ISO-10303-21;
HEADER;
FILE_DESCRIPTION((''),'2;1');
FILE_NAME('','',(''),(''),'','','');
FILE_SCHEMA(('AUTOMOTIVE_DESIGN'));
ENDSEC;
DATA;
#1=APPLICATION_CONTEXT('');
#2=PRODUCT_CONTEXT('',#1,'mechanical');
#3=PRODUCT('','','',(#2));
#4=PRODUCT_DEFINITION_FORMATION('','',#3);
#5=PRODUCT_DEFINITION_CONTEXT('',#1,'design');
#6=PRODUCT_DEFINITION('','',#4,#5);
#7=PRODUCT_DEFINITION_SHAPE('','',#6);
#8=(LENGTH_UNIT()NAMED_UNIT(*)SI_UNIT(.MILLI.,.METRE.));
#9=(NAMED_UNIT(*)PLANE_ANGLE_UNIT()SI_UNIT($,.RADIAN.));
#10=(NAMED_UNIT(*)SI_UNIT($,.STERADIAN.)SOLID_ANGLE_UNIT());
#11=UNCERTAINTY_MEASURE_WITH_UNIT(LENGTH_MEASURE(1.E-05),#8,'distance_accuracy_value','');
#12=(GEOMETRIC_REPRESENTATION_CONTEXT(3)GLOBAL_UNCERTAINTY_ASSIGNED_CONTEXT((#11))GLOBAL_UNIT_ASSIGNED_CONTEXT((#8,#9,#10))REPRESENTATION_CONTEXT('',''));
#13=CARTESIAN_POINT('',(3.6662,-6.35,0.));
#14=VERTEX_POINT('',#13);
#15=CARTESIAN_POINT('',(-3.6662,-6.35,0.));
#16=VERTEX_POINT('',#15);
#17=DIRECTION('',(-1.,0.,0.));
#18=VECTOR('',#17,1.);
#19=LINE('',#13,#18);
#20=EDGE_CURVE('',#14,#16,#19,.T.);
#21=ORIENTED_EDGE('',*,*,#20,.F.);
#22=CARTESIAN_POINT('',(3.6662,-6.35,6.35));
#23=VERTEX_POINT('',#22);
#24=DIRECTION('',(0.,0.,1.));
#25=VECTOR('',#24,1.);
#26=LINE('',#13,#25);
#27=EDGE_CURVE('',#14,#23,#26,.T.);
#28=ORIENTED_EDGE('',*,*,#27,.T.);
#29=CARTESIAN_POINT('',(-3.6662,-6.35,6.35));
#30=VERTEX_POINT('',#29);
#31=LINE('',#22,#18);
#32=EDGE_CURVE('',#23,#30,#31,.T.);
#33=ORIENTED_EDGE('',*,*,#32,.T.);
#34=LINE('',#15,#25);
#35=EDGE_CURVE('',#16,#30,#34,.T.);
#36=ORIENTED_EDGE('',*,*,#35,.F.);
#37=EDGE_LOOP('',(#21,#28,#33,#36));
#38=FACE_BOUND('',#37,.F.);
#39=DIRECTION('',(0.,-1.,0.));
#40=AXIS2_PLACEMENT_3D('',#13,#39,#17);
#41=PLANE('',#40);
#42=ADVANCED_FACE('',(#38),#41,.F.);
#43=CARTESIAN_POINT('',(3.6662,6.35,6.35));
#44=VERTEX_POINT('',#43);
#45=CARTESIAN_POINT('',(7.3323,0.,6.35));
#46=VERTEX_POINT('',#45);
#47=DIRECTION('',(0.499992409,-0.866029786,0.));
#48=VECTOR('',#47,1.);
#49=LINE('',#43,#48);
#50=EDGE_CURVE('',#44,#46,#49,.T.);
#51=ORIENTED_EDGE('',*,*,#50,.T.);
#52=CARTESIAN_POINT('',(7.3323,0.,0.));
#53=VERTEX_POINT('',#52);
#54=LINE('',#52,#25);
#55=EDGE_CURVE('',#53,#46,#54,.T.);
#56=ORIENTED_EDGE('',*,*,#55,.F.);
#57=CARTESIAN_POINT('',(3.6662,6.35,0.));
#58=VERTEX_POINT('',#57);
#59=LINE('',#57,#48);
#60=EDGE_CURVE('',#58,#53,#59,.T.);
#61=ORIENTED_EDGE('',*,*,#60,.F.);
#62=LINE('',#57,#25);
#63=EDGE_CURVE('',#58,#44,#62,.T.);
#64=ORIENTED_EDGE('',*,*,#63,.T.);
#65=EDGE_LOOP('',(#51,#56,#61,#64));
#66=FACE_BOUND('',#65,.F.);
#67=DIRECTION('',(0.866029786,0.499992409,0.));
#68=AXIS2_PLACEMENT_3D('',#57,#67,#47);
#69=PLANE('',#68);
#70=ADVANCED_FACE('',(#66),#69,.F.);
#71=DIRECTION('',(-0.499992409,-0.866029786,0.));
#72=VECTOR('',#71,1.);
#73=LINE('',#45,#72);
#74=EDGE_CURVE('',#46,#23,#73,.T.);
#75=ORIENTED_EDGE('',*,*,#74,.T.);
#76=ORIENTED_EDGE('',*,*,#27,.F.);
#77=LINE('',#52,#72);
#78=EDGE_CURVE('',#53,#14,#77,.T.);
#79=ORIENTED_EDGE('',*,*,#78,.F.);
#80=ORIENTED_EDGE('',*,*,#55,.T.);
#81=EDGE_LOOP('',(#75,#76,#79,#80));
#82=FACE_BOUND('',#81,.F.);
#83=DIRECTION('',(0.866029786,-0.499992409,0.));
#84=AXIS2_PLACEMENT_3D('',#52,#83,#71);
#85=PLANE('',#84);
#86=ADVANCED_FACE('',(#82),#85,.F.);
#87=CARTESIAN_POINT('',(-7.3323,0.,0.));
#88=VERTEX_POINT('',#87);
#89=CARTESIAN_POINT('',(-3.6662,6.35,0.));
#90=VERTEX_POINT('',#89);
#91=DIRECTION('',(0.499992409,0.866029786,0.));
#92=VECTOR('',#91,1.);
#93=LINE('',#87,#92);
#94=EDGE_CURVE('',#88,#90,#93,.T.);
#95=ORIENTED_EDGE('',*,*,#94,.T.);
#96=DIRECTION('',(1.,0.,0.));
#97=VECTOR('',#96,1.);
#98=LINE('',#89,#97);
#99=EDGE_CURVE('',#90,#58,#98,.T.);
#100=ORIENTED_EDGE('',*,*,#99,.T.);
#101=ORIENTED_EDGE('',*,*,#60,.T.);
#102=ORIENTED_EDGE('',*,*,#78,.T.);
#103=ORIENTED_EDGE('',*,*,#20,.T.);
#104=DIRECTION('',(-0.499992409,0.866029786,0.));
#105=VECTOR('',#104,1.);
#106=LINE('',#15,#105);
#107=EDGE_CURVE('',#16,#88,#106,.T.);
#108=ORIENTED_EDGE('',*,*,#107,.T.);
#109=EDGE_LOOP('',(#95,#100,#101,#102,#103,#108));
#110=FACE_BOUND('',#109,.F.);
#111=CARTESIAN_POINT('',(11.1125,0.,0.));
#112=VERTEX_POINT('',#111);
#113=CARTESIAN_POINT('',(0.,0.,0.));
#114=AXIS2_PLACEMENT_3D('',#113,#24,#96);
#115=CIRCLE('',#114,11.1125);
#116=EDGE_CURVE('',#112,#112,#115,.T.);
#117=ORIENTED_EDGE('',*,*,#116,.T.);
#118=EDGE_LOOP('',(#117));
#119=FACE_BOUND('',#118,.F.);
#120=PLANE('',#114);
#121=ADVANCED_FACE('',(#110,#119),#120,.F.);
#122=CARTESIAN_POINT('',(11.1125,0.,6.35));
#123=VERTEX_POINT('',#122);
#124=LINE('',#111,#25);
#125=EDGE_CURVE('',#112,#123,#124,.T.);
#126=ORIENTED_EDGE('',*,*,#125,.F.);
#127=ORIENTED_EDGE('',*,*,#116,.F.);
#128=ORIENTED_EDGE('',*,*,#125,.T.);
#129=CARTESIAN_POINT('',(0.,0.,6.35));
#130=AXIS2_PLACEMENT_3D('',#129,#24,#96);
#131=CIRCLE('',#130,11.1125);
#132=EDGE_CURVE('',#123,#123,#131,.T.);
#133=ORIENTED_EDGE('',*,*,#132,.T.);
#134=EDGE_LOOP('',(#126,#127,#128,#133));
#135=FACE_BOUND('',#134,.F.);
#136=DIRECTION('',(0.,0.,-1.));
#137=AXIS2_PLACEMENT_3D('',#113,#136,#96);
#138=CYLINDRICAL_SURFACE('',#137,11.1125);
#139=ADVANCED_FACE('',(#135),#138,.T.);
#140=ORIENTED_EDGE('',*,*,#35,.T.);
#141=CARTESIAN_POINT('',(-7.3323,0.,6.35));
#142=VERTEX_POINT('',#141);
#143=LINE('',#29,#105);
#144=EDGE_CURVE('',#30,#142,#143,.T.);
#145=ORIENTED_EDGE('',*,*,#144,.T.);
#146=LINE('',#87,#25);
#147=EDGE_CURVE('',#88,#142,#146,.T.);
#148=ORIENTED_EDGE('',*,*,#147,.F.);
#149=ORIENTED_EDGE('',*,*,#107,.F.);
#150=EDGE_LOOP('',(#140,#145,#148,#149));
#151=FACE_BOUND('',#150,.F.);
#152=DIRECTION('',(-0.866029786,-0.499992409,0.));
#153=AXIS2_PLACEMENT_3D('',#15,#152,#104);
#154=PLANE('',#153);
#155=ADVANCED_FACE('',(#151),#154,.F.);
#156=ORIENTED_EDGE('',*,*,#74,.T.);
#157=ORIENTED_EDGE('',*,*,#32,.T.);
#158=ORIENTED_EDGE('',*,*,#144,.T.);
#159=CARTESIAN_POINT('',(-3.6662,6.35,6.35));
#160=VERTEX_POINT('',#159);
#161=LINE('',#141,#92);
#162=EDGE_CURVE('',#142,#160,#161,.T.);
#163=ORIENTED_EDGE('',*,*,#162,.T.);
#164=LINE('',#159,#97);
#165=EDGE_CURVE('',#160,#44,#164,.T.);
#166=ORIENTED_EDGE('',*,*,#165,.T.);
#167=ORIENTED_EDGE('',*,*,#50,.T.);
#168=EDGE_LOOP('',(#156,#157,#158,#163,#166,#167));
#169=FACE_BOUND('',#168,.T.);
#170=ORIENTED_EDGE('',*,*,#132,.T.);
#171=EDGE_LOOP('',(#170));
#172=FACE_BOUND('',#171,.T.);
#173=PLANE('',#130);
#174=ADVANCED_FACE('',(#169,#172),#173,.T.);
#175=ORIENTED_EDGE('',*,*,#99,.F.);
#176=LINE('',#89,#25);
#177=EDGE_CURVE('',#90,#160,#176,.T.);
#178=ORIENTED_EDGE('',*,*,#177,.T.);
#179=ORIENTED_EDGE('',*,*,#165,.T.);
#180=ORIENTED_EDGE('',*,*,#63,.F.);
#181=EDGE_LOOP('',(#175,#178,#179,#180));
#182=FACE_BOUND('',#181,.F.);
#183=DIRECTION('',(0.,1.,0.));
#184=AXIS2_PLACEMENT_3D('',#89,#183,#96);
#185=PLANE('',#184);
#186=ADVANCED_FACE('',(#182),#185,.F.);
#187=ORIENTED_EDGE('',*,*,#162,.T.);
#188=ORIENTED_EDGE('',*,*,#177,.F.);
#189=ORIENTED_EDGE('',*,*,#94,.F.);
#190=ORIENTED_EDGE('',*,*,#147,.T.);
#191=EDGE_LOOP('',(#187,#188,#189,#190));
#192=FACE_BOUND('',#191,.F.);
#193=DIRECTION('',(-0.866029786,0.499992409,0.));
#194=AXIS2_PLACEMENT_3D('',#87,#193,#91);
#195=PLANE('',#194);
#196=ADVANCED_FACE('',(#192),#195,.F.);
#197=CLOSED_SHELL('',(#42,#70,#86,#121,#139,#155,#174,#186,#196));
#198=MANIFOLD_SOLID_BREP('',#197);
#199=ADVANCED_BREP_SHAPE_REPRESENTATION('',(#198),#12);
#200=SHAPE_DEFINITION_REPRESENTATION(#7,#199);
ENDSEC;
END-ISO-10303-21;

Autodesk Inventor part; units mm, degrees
ref_plane "YZ Plane" through (0, 0, 0) normal (1, 0, 0) x (0, 1, 0)
ref_plane "XZ Plane" through (0, 0, 0) normal (0, 1, 0) x (-1, 0, 0)
ref_plane "XY Plane" through (0, 0, 0) normal (0, 0, 1) x (1, 0, 0)
sketch "Sketch1" plane through (0, 0, 0) normal (0, 0, 1) x (1, 0, 0)
  circle A0 centre (0, 0) radius 11.1125
  line L0 (-7.3323, 0) -> (-3.6662, 6.35)
  line L1 (-3.6662, 6.35) -> (3.6662, 6.35)
  line L2 (3.6662, 6.35) -> (7.3323, 0)
  line L3 (7.3323, 0) -> (3.6662, -6.35)
  line L4 (3.6662, -6.35) -> (-3.6662, -6.35)
  line L5 (-3.6662, -6.35) -> (-7.3323, 0)
  dimension "d0" = 12.7
  dimension "d1" = 22.225
extrude "Extrusion1" add sketch "Sketch1" along normal blind 6.35
properties part number "spacer" material "LCP Plastic"
